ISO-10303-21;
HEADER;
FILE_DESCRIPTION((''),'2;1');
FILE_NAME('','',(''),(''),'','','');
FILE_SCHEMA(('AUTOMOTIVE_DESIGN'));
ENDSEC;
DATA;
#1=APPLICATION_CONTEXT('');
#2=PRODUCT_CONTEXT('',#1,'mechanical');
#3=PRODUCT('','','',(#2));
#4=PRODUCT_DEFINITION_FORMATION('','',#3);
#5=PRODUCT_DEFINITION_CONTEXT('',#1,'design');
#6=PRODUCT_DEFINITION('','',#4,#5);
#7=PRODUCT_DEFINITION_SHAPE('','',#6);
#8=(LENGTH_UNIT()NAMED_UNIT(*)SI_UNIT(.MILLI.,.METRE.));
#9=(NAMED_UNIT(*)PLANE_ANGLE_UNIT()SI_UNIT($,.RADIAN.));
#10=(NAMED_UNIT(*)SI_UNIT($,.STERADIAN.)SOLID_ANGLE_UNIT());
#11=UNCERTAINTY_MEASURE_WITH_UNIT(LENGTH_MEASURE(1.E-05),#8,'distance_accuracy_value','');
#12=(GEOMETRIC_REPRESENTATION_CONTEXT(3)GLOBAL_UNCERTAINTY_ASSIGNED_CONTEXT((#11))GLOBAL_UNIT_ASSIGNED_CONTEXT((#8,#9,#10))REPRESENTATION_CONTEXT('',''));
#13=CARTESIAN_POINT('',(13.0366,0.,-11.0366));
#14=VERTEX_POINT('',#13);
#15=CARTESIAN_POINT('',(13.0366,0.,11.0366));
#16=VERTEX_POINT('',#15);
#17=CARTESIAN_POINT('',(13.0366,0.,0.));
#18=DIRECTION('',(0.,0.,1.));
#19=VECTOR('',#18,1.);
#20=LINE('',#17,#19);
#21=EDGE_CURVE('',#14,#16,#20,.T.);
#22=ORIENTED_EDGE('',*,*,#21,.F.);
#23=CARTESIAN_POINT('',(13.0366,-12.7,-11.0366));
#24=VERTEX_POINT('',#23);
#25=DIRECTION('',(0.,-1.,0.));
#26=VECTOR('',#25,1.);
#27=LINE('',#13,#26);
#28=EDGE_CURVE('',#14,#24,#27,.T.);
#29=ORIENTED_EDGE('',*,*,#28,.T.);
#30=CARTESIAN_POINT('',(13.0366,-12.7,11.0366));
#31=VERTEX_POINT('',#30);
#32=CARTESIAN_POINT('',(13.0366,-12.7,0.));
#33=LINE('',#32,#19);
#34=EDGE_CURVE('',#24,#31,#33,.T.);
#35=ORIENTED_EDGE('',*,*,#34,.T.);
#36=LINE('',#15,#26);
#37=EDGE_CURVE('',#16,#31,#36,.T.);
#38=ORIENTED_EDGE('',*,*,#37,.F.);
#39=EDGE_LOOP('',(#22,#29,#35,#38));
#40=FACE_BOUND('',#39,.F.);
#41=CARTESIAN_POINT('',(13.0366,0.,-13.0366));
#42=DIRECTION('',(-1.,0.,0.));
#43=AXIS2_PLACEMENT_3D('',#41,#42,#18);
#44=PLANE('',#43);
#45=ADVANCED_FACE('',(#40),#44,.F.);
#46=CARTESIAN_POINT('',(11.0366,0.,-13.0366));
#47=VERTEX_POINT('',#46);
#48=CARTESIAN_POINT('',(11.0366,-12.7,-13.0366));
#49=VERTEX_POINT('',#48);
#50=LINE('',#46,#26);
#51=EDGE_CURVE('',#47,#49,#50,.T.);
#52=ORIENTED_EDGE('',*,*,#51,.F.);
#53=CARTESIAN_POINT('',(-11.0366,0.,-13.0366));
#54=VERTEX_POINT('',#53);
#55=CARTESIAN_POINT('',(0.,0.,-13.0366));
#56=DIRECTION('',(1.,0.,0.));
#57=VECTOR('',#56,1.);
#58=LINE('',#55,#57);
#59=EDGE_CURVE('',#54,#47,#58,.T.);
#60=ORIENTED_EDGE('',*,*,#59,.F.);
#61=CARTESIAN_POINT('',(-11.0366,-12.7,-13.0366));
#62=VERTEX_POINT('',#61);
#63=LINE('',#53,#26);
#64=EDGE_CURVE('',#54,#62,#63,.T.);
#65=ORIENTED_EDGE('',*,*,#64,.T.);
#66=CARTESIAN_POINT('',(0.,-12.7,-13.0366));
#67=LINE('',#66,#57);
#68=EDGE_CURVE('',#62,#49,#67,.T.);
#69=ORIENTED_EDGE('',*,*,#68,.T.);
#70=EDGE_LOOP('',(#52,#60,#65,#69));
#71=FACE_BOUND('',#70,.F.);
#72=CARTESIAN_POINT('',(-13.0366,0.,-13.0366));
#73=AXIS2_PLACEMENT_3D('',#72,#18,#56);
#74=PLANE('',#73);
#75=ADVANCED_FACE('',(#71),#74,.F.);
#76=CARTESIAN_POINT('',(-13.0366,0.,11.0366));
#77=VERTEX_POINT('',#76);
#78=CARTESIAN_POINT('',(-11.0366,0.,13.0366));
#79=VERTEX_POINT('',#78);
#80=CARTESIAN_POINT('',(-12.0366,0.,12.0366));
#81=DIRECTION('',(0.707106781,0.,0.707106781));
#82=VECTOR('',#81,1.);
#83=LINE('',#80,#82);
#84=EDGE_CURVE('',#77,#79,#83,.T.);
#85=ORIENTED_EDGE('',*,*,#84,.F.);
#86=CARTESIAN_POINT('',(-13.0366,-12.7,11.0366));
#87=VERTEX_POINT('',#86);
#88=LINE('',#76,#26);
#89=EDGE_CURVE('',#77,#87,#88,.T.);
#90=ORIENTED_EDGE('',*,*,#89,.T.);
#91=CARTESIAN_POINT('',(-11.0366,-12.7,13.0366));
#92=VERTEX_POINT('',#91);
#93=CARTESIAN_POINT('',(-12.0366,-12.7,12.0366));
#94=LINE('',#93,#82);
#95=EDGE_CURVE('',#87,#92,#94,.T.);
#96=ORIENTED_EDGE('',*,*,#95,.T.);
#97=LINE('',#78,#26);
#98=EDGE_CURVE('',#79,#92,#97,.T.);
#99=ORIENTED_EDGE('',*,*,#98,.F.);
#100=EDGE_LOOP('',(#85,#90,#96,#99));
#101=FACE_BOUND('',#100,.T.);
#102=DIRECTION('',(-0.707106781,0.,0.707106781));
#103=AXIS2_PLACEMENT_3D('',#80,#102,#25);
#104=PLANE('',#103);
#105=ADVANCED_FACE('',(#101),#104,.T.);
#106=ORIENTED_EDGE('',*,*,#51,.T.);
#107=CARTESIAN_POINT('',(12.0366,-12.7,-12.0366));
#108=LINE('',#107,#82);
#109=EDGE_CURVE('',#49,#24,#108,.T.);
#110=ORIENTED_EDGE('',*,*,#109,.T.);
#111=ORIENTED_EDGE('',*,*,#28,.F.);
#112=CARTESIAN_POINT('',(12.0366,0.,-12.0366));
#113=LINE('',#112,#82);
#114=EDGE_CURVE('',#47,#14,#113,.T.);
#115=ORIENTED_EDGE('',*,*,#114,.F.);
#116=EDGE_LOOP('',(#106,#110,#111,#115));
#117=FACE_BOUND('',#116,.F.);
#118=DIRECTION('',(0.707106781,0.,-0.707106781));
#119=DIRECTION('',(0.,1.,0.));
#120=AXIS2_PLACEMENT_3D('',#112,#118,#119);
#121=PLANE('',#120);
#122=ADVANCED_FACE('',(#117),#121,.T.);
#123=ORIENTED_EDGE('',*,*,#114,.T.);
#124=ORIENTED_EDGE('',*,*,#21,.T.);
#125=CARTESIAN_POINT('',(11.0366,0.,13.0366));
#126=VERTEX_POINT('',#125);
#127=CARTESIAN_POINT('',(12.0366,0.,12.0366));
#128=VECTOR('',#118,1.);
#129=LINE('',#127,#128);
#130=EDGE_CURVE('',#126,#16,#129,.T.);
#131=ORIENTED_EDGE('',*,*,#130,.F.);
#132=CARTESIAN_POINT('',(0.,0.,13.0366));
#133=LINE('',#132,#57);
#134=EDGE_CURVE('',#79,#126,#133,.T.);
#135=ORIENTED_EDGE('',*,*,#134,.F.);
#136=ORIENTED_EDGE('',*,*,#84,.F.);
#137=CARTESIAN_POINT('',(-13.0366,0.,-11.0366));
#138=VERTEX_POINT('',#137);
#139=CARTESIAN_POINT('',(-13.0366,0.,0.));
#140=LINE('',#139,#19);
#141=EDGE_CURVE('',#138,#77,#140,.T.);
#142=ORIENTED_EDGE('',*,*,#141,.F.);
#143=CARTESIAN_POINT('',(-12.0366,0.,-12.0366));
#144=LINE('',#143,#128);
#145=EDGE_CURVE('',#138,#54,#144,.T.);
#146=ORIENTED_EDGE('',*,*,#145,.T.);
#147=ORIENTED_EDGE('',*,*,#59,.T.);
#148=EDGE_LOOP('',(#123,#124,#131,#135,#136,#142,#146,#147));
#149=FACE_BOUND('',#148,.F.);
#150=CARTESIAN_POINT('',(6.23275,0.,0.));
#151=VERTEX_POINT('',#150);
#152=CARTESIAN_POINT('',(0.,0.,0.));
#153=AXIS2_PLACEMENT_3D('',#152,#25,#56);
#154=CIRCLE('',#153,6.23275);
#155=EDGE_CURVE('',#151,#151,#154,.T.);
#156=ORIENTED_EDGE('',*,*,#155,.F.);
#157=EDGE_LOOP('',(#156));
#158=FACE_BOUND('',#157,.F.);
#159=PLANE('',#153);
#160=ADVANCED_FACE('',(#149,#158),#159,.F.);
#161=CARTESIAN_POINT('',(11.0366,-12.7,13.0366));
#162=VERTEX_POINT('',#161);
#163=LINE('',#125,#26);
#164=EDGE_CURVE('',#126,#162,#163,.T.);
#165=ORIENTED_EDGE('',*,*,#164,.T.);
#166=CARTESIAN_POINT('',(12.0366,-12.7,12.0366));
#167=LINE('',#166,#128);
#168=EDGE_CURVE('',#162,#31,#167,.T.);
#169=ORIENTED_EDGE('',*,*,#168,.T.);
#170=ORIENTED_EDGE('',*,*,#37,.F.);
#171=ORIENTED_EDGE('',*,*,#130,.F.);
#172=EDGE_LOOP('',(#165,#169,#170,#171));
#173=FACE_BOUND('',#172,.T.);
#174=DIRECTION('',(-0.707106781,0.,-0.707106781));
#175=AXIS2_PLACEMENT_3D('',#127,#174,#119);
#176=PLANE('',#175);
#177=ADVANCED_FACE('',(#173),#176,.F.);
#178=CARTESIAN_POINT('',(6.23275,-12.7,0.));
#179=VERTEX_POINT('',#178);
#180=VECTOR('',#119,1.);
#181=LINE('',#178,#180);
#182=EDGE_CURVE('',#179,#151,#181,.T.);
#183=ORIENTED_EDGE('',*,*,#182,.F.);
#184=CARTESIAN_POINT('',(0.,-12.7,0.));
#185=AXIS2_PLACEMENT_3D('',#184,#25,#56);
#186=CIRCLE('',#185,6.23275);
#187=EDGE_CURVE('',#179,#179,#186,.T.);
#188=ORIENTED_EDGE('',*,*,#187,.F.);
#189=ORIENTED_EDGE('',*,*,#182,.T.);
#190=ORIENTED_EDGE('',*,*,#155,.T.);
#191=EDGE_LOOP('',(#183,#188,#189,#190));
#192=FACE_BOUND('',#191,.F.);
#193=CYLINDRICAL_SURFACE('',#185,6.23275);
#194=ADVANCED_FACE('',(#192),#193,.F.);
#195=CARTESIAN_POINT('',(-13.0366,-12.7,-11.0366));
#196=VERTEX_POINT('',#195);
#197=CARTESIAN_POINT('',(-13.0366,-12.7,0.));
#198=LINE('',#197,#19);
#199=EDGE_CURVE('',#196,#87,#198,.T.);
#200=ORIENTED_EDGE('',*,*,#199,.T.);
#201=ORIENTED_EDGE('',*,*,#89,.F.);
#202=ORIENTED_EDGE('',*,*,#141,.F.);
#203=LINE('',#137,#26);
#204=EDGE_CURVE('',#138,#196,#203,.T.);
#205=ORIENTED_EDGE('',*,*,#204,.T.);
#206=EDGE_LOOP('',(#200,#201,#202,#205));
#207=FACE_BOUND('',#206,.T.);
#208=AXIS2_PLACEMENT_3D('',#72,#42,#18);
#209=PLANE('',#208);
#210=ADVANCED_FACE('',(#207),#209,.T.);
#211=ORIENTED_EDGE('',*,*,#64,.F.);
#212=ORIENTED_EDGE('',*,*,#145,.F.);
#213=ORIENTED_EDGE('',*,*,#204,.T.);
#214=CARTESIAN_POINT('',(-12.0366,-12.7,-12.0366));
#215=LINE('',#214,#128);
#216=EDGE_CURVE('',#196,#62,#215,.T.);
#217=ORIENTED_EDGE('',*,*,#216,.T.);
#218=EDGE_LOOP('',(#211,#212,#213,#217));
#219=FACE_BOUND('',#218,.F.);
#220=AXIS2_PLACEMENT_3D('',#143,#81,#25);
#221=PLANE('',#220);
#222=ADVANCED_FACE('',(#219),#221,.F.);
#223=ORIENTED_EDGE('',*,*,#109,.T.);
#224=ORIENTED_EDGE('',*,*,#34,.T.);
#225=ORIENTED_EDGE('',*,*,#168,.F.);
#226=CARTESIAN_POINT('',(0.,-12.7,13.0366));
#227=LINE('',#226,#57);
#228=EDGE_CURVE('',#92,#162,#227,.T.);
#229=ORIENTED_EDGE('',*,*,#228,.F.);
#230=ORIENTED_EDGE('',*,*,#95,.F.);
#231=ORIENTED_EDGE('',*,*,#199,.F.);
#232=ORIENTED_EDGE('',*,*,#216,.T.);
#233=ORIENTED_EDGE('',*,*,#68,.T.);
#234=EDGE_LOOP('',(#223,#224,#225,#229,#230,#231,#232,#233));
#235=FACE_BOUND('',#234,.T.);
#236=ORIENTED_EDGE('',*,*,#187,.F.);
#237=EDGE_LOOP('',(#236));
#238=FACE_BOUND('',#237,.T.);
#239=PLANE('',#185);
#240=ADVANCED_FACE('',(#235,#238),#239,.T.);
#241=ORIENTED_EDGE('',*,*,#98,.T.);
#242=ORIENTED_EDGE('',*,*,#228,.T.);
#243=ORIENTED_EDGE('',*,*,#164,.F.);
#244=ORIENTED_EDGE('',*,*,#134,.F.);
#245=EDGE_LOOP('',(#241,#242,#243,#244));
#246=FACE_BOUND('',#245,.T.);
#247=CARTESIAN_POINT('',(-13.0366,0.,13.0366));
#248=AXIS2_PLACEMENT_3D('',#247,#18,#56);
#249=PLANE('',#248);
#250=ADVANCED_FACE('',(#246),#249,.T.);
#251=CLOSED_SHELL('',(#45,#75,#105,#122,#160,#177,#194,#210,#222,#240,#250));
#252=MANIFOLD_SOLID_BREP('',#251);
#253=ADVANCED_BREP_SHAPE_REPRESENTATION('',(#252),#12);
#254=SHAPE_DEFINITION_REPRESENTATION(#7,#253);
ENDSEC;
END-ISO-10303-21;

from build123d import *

# Parameters (mm, degrees)
F0_W     = 26.0732
F0_H     = 26.0732
F1_DEPTH = 12.7
F2_R     = 6.23275
F3_DEPTH = 12.701
F4_SIZE  = 2


with BuildPart() as f1:
    # F0 (on Front) → F1 (new body)
    with BuildSketch(Plane.XZ):
        Rectangle(F0_W, F0_H)
    extrude(amount=F1_DEPTH)

    # F2 (on face) → F3 (cut, through all)
    with BuildSketch(Plane.XZ.offset(12.7)):
        Circle(F2_R)
    extrude(amount=-F3_DEPTH, mode=Mode.SUBTRACT)

    # F4
    f4_edges = [f1.edges().sort_by_distance(p)[0] for p in [
        (13.0366, -6.35, -13.0366),
        (13.0366, -6.35, 13.0366),
        (-13.0366, -6.35, -13.0366),
        (-13.0366, -6.35, 13.0366),
    ]]
    chamfer(f4_edges, length=F4_SIZE)


solid = f1.part
